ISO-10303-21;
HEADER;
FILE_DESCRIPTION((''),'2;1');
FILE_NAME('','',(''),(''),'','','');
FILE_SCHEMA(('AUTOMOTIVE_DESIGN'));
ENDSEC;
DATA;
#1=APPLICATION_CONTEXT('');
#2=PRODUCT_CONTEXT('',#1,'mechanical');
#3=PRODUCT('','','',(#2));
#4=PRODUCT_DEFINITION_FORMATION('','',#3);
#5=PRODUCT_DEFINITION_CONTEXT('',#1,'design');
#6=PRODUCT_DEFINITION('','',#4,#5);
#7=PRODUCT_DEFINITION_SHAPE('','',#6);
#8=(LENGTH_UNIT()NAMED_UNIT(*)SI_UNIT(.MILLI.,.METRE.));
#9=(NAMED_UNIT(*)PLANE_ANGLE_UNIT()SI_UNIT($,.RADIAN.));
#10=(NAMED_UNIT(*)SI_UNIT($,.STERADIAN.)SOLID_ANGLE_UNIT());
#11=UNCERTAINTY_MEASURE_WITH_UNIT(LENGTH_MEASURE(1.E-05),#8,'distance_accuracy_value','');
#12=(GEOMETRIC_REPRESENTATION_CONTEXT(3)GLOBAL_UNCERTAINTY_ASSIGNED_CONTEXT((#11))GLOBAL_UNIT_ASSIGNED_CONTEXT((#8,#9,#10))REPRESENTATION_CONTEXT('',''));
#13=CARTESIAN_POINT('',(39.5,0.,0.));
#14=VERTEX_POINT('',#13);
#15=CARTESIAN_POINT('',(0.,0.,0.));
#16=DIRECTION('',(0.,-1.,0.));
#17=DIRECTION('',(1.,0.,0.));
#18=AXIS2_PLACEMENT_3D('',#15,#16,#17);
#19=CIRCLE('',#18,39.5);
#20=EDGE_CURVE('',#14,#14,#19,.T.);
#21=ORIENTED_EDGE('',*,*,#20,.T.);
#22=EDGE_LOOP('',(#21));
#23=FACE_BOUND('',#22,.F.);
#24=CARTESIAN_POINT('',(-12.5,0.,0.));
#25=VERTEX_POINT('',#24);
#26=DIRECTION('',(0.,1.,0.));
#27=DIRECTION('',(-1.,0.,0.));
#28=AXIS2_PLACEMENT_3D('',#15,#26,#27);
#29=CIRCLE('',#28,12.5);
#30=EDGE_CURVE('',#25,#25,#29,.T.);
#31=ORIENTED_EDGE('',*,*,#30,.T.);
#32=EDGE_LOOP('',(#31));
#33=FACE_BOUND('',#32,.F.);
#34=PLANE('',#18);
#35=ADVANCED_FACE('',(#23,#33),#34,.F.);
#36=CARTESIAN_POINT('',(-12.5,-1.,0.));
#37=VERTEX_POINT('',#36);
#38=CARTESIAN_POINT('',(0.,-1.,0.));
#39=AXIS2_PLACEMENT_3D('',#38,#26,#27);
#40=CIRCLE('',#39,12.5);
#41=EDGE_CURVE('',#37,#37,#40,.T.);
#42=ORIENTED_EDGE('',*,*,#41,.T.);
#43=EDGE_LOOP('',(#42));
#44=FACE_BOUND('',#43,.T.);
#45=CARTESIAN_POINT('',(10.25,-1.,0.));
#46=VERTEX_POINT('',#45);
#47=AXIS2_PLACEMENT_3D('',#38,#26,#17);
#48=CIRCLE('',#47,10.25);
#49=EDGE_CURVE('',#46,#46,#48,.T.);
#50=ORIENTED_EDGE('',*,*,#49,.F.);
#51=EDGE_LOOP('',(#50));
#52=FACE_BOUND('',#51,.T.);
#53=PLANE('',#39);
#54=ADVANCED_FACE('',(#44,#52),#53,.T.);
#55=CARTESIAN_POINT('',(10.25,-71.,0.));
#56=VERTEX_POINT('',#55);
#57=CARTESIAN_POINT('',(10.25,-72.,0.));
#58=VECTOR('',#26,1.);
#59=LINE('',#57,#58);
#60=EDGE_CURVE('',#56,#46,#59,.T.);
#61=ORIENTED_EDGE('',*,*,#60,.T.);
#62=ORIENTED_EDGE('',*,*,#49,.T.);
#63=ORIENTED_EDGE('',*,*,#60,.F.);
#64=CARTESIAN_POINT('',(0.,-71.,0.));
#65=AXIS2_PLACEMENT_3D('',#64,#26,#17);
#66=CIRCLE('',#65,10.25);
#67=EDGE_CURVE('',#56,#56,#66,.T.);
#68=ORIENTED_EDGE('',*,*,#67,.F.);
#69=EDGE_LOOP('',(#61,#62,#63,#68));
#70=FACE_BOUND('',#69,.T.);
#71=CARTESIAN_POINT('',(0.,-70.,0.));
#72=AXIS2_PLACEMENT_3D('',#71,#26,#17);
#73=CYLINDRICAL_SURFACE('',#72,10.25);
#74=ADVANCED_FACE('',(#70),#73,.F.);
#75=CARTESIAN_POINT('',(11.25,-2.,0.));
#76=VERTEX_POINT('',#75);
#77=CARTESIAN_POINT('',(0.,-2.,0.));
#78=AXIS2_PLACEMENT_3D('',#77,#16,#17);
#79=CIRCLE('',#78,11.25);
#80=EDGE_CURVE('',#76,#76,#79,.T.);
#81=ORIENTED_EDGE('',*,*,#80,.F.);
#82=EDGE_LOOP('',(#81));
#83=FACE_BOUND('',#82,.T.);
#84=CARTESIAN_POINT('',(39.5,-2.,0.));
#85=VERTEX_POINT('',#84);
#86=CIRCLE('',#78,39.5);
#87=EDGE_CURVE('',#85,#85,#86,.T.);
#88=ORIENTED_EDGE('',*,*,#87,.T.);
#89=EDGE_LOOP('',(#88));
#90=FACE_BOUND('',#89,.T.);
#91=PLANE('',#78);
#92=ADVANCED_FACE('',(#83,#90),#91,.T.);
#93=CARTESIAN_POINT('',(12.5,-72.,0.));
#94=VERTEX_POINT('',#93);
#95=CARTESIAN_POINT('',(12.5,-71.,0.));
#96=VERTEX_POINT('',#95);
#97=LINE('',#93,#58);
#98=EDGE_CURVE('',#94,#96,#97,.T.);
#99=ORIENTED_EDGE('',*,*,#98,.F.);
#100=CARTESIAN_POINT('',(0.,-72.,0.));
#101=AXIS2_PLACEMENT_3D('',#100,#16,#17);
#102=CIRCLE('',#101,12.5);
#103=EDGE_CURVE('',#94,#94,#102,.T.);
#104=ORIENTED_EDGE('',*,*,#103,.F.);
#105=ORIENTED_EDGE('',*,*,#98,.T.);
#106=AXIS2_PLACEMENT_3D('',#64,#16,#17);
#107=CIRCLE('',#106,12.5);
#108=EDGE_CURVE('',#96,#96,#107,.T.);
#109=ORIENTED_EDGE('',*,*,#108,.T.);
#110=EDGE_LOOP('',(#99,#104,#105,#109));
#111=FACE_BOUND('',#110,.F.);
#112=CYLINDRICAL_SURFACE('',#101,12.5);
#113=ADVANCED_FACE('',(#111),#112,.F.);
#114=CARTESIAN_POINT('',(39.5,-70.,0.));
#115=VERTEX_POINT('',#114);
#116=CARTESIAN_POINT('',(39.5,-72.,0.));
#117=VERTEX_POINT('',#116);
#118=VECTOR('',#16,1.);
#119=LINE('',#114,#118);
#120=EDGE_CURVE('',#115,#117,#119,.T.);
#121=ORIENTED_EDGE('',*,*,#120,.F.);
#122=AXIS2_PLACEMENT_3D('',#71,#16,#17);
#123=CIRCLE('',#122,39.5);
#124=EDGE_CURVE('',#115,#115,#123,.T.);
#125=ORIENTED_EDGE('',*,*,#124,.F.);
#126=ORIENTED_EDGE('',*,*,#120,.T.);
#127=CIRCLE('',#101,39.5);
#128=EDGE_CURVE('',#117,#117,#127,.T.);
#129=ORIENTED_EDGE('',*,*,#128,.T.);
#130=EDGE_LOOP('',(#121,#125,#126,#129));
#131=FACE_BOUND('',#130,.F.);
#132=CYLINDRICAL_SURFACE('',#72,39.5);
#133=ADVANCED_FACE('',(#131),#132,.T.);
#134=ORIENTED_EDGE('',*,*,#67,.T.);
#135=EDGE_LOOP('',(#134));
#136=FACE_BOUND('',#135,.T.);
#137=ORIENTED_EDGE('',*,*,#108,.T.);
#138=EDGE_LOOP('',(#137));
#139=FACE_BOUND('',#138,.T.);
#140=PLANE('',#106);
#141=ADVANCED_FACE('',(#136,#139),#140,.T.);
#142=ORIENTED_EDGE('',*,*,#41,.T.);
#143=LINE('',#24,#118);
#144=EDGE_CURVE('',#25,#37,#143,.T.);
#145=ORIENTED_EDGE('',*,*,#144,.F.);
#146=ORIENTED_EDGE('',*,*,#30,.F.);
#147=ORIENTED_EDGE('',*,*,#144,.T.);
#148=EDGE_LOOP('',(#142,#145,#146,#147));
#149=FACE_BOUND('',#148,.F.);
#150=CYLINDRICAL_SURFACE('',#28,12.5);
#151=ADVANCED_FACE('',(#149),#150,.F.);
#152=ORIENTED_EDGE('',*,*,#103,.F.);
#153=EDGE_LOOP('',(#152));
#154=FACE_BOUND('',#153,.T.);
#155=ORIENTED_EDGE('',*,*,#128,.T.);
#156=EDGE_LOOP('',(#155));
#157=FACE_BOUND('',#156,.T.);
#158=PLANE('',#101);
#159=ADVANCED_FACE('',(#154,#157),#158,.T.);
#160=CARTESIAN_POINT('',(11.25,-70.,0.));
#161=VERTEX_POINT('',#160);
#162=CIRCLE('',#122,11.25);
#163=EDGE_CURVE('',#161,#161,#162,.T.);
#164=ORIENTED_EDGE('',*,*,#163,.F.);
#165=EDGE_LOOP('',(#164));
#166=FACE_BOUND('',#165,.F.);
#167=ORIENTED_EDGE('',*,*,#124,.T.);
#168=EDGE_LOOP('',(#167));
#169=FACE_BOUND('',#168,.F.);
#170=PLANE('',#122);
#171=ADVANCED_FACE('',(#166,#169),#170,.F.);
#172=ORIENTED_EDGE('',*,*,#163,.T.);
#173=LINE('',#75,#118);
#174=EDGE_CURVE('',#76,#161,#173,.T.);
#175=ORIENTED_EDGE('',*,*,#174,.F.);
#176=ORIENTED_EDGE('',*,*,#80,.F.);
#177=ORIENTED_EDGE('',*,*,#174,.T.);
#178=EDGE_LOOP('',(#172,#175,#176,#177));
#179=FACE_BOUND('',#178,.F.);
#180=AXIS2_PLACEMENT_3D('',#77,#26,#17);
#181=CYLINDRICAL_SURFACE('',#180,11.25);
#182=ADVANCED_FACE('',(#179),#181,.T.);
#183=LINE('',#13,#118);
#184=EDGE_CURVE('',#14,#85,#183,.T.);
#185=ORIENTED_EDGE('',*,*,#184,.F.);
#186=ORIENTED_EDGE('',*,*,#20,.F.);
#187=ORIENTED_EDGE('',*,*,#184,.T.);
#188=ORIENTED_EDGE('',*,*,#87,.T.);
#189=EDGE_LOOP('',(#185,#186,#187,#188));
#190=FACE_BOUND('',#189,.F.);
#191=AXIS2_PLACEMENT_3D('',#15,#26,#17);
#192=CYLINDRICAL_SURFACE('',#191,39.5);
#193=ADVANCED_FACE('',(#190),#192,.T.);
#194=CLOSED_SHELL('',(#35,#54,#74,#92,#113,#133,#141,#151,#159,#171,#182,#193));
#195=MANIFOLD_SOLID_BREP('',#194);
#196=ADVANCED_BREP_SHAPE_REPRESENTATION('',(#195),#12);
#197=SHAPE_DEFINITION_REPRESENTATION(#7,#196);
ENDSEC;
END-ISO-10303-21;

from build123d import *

# Parameters (mm, degrees)
F0_R     = 39.5
F0_R_2   = 10.25
F1_DEPTH = 2
F2_R     = 11.25
F2_R_2   = 10.25
F3_DEPTH = 68
F4_R     = 12.5
F5_DEPTH = 1
F6_R     = 39.5
F6_R_2   = 10.25
F7_DEPTH = 2
F8_R     = 12.5
F9_DEPTH = 1


with BuildPart() as f1:
    # F0 (on Front) → F1 (new body)
    with BuildSketch(Plane.XZ):
        Circle(F0_R)
        Circle(F0_R_2, mode=Mode.SUBTRACT)
    extrude(amount=F1_DEPTH)

    # F2 (on face) → F3 (join)
    with BuildSketch(Plane.XZ.offset(2)):
        Circle(F2_R)
        Circle(F2_R_2, mode=Mode.SUBTRACT)
    extrude(amount=F3_DEPTH)

    # F4 (on face) → F5 (cut)
    with BuildSketch(Plane(origin=(0, 0, 0), x_dir=(-1, 0, 0), z_dir=(0, 1, 0))):
        Circle(F4_R)
    extrude(amount=-F5_DEPTH, mode=Mode.SUBTRACT)

    # F6 (on face) → F7 (join)
    with BuildSketch(Plane.XZ.offset(70)):
        Circle(F6_R)
        Circle(F6_R_2, mode=Mode.SUBTRACT)
    extrude(amount=F7_DEPTH)

    # F8 (on face) → F9 (cut)
    with BuildSketch(Plane.XZ.offset(72)):
        Circle(F8_R)
    extrude(amount=-F9_DEPTH, mode=Mode.SUBTRACT)


solid = f1.part
